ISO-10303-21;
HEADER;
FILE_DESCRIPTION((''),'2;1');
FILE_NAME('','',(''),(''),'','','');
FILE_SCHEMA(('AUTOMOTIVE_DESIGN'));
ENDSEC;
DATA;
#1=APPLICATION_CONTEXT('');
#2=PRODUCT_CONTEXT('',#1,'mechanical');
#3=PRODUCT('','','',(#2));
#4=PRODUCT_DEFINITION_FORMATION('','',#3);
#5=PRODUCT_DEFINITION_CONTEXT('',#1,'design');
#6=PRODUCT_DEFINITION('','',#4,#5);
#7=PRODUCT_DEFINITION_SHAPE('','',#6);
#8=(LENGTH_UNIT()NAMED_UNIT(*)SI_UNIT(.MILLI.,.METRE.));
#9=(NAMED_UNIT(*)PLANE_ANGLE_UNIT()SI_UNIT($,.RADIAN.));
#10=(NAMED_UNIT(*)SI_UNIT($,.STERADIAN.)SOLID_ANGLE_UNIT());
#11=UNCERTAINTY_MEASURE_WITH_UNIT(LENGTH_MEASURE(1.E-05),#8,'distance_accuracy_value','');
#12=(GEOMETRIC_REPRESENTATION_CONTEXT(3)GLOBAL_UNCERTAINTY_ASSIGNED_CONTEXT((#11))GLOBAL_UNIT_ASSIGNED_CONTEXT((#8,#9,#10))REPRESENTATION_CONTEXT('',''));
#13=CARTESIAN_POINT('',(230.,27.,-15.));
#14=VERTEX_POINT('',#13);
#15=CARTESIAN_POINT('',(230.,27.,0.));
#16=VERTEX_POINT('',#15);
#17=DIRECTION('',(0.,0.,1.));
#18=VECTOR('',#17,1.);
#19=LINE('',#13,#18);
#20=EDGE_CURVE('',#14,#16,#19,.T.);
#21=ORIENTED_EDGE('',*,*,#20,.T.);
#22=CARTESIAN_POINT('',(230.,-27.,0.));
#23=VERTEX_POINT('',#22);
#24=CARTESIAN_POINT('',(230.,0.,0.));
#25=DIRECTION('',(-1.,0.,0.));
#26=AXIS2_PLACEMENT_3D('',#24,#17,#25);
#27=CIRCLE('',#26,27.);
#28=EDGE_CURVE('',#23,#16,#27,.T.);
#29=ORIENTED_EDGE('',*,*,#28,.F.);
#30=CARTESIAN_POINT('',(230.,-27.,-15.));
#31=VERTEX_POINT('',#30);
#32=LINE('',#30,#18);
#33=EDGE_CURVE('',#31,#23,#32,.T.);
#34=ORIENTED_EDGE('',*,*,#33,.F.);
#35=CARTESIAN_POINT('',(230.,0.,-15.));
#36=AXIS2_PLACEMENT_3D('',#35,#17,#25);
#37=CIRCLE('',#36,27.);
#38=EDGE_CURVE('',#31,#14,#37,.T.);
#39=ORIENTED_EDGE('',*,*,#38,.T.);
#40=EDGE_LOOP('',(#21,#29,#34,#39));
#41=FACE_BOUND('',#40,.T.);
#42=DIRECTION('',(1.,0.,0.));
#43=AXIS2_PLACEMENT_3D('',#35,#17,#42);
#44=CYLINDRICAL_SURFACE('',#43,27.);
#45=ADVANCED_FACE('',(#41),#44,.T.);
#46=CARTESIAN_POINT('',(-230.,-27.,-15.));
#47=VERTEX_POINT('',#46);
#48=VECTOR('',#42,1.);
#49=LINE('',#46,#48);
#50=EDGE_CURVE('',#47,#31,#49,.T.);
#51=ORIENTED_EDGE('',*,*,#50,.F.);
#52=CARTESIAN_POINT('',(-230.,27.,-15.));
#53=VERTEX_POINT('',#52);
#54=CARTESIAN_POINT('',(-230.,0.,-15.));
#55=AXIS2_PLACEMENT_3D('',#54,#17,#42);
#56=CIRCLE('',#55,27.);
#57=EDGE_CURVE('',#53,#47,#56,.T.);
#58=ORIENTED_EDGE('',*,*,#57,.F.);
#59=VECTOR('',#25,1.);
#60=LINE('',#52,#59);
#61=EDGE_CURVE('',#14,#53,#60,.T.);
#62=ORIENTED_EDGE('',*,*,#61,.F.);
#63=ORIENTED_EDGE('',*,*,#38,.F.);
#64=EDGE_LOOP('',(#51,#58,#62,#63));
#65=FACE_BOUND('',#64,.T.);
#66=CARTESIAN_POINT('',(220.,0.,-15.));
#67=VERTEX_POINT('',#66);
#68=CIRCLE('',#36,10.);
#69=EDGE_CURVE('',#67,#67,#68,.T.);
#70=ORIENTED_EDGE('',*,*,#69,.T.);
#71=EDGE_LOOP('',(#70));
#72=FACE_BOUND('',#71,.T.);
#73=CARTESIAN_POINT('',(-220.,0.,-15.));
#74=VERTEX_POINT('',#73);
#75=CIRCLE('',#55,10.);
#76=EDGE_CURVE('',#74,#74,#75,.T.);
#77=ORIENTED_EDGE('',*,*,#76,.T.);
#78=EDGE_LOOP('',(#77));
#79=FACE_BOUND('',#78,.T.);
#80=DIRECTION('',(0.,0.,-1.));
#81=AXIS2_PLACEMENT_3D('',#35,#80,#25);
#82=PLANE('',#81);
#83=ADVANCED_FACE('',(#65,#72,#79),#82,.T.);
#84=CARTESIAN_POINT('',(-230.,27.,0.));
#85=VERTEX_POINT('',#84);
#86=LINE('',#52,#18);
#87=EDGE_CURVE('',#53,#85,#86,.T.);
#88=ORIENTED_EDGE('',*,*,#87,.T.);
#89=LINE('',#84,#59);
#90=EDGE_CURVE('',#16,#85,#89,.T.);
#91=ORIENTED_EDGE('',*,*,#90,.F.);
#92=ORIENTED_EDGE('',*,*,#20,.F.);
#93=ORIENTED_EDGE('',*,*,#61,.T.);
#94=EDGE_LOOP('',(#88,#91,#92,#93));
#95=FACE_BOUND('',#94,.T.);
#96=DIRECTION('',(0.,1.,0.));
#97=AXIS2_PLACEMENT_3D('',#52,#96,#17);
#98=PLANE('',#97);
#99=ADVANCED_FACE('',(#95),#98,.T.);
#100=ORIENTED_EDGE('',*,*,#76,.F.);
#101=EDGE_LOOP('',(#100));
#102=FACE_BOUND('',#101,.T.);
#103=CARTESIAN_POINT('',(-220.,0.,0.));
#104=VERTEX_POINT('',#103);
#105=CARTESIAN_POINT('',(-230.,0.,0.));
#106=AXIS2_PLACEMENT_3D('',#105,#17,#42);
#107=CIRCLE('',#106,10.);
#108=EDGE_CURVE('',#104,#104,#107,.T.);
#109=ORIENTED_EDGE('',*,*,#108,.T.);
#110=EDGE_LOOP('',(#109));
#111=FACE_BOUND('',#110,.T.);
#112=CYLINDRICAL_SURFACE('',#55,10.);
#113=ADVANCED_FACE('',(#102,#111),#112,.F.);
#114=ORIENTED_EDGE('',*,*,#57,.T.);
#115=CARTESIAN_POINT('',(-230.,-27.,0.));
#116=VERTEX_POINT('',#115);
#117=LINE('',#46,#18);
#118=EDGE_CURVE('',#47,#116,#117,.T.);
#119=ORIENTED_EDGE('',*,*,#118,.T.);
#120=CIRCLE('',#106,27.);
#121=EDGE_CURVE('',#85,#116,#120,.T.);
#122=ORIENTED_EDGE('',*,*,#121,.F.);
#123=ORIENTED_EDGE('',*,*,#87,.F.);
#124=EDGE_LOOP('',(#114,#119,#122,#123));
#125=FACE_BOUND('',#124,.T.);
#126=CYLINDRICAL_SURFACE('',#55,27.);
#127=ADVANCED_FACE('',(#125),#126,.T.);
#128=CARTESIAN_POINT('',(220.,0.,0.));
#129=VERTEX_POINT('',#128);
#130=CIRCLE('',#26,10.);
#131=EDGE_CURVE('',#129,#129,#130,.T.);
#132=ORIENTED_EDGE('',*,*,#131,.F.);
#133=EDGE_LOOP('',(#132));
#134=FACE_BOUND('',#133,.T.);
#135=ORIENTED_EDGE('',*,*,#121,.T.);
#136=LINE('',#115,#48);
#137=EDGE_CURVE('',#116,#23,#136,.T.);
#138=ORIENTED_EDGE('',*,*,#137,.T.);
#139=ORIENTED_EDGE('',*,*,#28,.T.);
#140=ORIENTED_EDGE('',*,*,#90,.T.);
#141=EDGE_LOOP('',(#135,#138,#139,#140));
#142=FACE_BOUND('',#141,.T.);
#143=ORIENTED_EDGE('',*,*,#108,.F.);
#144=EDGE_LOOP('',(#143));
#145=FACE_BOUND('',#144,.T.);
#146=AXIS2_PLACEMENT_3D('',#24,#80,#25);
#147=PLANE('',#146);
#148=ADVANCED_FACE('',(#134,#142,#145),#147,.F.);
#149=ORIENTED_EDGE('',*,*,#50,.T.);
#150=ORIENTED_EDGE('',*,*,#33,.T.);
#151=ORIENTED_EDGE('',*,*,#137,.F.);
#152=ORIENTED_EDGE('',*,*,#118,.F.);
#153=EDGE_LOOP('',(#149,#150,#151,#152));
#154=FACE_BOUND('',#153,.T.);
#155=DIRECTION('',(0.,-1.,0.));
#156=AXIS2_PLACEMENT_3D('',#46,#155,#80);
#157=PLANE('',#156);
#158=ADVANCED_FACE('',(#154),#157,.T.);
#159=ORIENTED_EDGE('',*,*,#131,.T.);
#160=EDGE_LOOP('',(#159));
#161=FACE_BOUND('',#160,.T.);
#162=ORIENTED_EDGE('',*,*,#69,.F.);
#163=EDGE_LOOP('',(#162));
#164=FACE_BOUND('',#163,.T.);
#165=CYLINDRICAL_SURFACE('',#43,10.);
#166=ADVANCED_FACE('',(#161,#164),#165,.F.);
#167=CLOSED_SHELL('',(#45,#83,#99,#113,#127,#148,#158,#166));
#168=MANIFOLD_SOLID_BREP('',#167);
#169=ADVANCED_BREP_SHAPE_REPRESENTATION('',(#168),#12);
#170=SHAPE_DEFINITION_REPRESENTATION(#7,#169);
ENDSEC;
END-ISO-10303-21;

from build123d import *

# Parameters (mm, degrees)
SKETCH2_R           = 10
BOSS_EXTRUDE2_DEPTH = 15


with BuildPart() as part:
    # Sketch2 → Boss-Extrude2 (new body)
    with BuildSketch(Plane.XY):
        with BuildLine():
            Line((-230, 27), (230, 27))
            ThreePointArc((230, 27), (257, 0), (230, -27))
            Line((230, -27), (-230, -27))
            ThreePointArc((-230, -27), (-257, 0), (-230, 27))
        make_face()
        with Locations((-230, 0)):
            Circle(SKETCH2_R, mode=Mode.SUBTRACT)
        with Locations(Location((230, 0, 0), (0, 0, 180))):
            Circle(SKETCH2_R, mode=Mode.SUBTRACT)
    extrude(amount=-BOSS_EXTRUDE2_DEPTH)


solid = part.part
